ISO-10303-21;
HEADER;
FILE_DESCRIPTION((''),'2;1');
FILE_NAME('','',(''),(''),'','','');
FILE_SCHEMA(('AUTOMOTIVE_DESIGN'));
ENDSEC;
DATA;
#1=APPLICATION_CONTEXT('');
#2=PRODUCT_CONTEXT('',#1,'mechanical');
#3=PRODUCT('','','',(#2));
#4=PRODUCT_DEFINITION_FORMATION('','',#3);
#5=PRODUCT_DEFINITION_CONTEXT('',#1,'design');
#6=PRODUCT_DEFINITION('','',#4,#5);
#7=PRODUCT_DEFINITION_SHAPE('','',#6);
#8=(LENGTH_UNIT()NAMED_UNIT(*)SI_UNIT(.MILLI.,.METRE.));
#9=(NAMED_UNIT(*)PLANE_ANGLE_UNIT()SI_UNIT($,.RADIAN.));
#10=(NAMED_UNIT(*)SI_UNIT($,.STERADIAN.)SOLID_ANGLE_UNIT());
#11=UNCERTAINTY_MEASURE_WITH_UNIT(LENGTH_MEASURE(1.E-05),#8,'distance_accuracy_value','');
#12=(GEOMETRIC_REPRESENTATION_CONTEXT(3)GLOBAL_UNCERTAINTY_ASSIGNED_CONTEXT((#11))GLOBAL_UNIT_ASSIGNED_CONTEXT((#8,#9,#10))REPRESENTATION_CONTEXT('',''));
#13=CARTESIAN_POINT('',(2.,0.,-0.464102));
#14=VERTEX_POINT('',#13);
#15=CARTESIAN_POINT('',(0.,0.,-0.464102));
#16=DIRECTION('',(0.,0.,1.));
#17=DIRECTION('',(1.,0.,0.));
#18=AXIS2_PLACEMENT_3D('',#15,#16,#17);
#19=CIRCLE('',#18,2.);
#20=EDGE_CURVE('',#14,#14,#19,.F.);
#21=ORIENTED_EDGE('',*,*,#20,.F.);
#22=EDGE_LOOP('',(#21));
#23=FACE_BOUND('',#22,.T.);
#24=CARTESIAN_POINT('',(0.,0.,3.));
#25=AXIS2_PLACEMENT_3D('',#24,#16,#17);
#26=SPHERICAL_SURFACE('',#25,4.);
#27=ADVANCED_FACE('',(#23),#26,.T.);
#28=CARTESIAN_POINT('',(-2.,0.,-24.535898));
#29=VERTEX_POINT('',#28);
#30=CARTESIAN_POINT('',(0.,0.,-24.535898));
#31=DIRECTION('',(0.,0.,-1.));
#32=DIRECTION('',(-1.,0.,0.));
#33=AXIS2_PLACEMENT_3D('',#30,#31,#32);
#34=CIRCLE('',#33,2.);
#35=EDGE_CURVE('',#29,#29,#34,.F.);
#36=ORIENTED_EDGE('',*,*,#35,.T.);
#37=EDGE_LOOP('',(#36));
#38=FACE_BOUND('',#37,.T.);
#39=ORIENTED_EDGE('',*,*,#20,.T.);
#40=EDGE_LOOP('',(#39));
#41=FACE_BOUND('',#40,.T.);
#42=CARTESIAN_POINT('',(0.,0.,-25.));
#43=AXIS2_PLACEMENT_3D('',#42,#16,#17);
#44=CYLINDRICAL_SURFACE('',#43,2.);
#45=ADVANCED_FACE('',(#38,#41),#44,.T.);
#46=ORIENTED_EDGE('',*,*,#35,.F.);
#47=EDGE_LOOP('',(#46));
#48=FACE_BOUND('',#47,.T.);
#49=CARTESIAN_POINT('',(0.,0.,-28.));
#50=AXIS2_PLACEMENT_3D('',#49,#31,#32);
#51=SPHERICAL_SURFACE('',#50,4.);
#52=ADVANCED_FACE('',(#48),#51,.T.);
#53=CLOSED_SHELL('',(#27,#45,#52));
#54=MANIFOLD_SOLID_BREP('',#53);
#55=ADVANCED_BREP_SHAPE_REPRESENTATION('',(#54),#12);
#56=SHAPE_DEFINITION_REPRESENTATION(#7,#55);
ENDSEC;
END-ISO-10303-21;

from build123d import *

# Parameters (mm, degrees)
SKETCH1_R           = 2
BOSS_EXTRUDE1_DEPTH = 25


with BuildPart() as part:
    # Sketch1 → Boss-Extrude1 (new body)
    with BuildSketch(Plane.XY):
        Circle(SKETCH1_R)
    extrude(amount=-BOSS_EXTRUDE1_DEPTH)

    # Sketch2 → Revolve1 (revolve)
    with BuildSketch(Plane.XY.offset(3)):
        with BuildLine():
            Line((0, 4), (0, -4))
            ThreePointArc((0, -4), (4, 0), (0, 4))
        make_face()
    revolve1 = revolve(axis=Axis((0, 4, 3), (0, -1, 0)))

    # Mirror1: Revolve1 across plane
    add(revolve1.mirror(Plane.XY.offset(-12.5)))


solid = part.part
